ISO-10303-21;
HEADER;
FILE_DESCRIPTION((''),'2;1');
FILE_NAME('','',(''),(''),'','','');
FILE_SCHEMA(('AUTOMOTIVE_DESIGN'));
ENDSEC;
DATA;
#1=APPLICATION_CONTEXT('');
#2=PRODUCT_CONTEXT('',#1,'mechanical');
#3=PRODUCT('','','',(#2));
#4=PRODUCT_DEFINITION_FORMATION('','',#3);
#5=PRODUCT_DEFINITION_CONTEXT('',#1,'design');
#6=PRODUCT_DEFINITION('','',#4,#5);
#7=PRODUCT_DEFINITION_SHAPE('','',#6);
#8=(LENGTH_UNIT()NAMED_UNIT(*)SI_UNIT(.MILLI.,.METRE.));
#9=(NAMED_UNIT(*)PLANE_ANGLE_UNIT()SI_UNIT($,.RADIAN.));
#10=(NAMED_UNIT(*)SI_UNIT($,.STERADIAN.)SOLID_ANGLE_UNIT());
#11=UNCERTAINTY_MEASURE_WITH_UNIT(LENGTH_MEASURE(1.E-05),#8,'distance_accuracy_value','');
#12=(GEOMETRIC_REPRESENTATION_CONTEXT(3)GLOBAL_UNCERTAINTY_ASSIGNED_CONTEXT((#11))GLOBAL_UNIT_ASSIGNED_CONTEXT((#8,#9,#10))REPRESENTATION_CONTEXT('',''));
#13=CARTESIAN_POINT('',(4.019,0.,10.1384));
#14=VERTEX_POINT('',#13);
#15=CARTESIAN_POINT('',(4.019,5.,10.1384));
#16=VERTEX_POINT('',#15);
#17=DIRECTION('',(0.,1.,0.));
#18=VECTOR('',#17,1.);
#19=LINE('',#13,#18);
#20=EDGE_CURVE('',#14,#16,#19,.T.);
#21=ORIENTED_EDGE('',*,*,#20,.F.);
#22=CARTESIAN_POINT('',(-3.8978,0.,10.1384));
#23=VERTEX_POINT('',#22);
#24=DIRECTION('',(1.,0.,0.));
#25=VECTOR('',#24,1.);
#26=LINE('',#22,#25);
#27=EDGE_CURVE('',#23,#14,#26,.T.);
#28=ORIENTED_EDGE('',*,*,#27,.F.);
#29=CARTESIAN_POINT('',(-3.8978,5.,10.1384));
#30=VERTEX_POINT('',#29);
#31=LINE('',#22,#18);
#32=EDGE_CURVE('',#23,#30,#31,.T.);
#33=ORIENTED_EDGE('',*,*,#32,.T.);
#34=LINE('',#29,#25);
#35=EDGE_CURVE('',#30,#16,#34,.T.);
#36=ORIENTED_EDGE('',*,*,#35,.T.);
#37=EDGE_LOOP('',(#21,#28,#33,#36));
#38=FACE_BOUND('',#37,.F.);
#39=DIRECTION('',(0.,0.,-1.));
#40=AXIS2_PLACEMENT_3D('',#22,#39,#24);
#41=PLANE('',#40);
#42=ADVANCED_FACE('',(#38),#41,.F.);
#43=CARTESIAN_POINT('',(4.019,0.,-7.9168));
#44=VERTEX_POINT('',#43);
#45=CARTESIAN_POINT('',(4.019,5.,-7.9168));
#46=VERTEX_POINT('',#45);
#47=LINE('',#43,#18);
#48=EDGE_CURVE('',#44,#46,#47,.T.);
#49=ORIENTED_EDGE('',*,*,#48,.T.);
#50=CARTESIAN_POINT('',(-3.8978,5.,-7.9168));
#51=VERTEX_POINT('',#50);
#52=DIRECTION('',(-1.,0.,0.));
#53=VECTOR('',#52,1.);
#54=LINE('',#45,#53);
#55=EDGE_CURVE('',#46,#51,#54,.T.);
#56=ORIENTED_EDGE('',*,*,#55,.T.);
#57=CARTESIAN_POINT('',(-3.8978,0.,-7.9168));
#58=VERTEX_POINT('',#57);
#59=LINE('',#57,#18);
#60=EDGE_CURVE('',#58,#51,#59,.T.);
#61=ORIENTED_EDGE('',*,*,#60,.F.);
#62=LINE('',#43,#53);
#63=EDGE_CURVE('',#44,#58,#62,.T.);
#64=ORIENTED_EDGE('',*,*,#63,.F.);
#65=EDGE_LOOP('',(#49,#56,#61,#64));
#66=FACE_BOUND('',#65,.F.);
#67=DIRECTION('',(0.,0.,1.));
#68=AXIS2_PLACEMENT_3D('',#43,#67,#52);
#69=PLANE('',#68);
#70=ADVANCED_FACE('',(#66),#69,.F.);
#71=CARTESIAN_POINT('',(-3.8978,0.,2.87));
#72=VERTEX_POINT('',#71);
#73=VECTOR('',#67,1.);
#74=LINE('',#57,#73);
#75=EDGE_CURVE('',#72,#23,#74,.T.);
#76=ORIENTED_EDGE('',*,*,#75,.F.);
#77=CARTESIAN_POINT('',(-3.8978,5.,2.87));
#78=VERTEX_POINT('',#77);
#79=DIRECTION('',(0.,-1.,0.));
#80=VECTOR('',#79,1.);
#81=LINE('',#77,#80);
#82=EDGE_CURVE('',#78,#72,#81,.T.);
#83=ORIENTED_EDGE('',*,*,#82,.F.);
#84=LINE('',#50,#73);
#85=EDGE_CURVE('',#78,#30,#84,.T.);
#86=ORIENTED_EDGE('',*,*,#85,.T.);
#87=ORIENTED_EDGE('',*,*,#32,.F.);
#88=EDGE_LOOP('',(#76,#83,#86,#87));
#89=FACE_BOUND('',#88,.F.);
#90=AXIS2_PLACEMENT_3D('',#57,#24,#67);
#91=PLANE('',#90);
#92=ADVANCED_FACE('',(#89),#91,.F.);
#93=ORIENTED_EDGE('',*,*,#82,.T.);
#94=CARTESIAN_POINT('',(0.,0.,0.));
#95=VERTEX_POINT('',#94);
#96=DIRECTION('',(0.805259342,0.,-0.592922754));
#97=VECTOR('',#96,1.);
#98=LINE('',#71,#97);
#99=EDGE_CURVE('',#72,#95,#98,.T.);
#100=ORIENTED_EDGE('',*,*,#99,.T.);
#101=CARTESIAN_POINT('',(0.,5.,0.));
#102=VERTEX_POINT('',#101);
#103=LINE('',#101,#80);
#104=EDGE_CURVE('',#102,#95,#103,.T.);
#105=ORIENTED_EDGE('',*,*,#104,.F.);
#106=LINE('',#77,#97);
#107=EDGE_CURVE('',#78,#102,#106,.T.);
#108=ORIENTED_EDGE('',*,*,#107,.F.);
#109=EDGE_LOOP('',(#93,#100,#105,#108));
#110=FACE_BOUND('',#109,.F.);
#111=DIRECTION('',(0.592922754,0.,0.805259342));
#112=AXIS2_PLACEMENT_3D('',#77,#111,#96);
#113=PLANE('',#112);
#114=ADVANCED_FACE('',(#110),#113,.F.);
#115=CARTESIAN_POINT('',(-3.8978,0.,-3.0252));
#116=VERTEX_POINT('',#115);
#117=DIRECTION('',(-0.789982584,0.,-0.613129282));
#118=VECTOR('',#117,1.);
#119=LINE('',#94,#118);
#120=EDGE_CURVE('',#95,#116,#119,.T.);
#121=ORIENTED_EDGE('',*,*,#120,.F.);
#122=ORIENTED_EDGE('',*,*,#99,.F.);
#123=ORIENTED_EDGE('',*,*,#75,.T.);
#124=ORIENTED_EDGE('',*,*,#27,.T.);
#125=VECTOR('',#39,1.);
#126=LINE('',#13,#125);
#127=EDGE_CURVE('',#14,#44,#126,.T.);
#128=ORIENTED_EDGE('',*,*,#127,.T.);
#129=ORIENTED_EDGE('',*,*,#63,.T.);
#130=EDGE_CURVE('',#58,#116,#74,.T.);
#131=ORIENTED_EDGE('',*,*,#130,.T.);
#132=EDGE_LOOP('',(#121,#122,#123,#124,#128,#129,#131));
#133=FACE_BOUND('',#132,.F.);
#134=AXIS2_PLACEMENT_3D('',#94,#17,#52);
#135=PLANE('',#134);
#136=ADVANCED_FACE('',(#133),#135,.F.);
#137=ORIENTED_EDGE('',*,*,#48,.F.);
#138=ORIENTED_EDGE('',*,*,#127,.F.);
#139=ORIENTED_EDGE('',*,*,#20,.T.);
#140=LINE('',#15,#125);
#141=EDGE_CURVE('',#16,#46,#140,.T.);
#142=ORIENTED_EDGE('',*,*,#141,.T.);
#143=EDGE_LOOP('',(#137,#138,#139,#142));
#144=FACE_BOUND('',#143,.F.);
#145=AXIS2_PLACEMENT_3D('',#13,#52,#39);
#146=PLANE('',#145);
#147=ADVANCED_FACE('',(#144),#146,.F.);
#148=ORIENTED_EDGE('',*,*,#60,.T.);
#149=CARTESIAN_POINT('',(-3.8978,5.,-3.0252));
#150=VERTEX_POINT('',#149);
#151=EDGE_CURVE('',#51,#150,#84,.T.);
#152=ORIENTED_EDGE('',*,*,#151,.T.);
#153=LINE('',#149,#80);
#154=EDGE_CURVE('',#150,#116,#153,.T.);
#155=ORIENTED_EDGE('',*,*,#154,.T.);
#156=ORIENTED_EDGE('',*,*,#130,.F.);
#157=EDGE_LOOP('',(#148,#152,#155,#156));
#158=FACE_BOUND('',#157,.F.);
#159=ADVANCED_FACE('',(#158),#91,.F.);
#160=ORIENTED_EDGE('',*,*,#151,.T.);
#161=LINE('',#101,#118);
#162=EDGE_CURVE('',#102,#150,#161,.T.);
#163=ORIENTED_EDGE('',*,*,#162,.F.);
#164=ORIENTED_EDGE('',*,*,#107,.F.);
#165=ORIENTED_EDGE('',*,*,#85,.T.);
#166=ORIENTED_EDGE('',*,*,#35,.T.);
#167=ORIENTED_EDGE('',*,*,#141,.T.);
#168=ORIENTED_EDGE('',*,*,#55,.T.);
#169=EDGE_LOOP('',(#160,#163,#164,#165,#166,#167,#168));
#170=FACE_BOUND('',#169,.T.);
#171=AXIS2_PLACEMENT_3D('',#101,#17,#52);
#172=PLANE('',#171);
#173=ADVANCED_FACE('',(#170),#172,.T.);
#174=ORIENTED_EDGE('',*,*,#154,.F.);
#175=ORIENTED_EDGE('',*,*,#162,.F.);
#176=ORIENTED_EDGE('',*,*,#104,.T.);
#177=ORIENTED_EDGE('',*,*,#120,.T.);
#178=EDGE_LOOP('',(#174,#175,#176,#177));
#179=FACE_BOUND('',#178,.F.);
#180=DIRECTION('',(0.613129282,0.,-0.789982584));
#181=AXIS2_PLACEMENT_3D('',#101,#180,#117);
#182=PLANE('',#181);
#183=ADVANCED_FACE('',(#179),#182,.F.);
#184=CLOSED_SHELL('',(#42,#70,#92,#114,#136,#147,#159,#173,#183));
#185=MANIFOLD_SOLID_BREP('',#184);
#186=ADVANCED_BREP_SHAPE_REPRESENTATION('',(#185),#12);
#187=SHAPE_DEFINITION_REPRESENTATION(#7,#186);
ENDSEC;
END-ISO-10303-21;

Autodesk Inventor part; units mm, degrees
ref_plane "YZ Plane" through (0, 0, 0) normal (1, 0, 0) x (0, 1, 0)
ref_plane "XZ Plane" through (0, 0, 0) normal (0, 1, 0) x (-1, 0, 0)
ref_plane "XY Plane" through (0, 0, 0) normal (0, 0, 1) x (1, 0, 0)
sketch "Sketch1" plane through (0, 0, 0) normal (0, 1, 0) x (-1, 0, 0)
  line L0 (-4.019, -7.9168) -> (3.8978, -7.9168)
  line L1 (3.8978, -7.9168) -> (3.8978, 10.1384)
  line L2 (3.8978, 10.1384) -> (-4.019, 10.1384)
  line L3 (-4.019, 10.1384) -> (-4.019, -7.9168)
  point P0 (0, 0)
extrude "Extrusion1" add sketch "Sketch1" along normal blind 5
sketch "Sketch2" plane through (0, 5, 0) normal (0, 1, 0) x (1, 0, 0)
  line L0 (-3.8978, -2.87) -> (0, 0)
  line L1 (0, 0) -> (-3.8978, 3.0252)
  line L2 (4.019, 7.9168) -> (-3.8978, 7.9168) projected
  line L3 (-3.8978, 7.9168) -> (-3.8978, -10.1384) projected
  line L4 (-3.8978, -10.1384) -> (4.019, -10.1384) projected
  line L5 (4.019, -10.1384) -> (4.019, 7.9168) projected
extrude "Extrusion2" cut sketch "Sketch2" against normal blind 5 contours L3 L1 L0
properties part number "Notch_example"
